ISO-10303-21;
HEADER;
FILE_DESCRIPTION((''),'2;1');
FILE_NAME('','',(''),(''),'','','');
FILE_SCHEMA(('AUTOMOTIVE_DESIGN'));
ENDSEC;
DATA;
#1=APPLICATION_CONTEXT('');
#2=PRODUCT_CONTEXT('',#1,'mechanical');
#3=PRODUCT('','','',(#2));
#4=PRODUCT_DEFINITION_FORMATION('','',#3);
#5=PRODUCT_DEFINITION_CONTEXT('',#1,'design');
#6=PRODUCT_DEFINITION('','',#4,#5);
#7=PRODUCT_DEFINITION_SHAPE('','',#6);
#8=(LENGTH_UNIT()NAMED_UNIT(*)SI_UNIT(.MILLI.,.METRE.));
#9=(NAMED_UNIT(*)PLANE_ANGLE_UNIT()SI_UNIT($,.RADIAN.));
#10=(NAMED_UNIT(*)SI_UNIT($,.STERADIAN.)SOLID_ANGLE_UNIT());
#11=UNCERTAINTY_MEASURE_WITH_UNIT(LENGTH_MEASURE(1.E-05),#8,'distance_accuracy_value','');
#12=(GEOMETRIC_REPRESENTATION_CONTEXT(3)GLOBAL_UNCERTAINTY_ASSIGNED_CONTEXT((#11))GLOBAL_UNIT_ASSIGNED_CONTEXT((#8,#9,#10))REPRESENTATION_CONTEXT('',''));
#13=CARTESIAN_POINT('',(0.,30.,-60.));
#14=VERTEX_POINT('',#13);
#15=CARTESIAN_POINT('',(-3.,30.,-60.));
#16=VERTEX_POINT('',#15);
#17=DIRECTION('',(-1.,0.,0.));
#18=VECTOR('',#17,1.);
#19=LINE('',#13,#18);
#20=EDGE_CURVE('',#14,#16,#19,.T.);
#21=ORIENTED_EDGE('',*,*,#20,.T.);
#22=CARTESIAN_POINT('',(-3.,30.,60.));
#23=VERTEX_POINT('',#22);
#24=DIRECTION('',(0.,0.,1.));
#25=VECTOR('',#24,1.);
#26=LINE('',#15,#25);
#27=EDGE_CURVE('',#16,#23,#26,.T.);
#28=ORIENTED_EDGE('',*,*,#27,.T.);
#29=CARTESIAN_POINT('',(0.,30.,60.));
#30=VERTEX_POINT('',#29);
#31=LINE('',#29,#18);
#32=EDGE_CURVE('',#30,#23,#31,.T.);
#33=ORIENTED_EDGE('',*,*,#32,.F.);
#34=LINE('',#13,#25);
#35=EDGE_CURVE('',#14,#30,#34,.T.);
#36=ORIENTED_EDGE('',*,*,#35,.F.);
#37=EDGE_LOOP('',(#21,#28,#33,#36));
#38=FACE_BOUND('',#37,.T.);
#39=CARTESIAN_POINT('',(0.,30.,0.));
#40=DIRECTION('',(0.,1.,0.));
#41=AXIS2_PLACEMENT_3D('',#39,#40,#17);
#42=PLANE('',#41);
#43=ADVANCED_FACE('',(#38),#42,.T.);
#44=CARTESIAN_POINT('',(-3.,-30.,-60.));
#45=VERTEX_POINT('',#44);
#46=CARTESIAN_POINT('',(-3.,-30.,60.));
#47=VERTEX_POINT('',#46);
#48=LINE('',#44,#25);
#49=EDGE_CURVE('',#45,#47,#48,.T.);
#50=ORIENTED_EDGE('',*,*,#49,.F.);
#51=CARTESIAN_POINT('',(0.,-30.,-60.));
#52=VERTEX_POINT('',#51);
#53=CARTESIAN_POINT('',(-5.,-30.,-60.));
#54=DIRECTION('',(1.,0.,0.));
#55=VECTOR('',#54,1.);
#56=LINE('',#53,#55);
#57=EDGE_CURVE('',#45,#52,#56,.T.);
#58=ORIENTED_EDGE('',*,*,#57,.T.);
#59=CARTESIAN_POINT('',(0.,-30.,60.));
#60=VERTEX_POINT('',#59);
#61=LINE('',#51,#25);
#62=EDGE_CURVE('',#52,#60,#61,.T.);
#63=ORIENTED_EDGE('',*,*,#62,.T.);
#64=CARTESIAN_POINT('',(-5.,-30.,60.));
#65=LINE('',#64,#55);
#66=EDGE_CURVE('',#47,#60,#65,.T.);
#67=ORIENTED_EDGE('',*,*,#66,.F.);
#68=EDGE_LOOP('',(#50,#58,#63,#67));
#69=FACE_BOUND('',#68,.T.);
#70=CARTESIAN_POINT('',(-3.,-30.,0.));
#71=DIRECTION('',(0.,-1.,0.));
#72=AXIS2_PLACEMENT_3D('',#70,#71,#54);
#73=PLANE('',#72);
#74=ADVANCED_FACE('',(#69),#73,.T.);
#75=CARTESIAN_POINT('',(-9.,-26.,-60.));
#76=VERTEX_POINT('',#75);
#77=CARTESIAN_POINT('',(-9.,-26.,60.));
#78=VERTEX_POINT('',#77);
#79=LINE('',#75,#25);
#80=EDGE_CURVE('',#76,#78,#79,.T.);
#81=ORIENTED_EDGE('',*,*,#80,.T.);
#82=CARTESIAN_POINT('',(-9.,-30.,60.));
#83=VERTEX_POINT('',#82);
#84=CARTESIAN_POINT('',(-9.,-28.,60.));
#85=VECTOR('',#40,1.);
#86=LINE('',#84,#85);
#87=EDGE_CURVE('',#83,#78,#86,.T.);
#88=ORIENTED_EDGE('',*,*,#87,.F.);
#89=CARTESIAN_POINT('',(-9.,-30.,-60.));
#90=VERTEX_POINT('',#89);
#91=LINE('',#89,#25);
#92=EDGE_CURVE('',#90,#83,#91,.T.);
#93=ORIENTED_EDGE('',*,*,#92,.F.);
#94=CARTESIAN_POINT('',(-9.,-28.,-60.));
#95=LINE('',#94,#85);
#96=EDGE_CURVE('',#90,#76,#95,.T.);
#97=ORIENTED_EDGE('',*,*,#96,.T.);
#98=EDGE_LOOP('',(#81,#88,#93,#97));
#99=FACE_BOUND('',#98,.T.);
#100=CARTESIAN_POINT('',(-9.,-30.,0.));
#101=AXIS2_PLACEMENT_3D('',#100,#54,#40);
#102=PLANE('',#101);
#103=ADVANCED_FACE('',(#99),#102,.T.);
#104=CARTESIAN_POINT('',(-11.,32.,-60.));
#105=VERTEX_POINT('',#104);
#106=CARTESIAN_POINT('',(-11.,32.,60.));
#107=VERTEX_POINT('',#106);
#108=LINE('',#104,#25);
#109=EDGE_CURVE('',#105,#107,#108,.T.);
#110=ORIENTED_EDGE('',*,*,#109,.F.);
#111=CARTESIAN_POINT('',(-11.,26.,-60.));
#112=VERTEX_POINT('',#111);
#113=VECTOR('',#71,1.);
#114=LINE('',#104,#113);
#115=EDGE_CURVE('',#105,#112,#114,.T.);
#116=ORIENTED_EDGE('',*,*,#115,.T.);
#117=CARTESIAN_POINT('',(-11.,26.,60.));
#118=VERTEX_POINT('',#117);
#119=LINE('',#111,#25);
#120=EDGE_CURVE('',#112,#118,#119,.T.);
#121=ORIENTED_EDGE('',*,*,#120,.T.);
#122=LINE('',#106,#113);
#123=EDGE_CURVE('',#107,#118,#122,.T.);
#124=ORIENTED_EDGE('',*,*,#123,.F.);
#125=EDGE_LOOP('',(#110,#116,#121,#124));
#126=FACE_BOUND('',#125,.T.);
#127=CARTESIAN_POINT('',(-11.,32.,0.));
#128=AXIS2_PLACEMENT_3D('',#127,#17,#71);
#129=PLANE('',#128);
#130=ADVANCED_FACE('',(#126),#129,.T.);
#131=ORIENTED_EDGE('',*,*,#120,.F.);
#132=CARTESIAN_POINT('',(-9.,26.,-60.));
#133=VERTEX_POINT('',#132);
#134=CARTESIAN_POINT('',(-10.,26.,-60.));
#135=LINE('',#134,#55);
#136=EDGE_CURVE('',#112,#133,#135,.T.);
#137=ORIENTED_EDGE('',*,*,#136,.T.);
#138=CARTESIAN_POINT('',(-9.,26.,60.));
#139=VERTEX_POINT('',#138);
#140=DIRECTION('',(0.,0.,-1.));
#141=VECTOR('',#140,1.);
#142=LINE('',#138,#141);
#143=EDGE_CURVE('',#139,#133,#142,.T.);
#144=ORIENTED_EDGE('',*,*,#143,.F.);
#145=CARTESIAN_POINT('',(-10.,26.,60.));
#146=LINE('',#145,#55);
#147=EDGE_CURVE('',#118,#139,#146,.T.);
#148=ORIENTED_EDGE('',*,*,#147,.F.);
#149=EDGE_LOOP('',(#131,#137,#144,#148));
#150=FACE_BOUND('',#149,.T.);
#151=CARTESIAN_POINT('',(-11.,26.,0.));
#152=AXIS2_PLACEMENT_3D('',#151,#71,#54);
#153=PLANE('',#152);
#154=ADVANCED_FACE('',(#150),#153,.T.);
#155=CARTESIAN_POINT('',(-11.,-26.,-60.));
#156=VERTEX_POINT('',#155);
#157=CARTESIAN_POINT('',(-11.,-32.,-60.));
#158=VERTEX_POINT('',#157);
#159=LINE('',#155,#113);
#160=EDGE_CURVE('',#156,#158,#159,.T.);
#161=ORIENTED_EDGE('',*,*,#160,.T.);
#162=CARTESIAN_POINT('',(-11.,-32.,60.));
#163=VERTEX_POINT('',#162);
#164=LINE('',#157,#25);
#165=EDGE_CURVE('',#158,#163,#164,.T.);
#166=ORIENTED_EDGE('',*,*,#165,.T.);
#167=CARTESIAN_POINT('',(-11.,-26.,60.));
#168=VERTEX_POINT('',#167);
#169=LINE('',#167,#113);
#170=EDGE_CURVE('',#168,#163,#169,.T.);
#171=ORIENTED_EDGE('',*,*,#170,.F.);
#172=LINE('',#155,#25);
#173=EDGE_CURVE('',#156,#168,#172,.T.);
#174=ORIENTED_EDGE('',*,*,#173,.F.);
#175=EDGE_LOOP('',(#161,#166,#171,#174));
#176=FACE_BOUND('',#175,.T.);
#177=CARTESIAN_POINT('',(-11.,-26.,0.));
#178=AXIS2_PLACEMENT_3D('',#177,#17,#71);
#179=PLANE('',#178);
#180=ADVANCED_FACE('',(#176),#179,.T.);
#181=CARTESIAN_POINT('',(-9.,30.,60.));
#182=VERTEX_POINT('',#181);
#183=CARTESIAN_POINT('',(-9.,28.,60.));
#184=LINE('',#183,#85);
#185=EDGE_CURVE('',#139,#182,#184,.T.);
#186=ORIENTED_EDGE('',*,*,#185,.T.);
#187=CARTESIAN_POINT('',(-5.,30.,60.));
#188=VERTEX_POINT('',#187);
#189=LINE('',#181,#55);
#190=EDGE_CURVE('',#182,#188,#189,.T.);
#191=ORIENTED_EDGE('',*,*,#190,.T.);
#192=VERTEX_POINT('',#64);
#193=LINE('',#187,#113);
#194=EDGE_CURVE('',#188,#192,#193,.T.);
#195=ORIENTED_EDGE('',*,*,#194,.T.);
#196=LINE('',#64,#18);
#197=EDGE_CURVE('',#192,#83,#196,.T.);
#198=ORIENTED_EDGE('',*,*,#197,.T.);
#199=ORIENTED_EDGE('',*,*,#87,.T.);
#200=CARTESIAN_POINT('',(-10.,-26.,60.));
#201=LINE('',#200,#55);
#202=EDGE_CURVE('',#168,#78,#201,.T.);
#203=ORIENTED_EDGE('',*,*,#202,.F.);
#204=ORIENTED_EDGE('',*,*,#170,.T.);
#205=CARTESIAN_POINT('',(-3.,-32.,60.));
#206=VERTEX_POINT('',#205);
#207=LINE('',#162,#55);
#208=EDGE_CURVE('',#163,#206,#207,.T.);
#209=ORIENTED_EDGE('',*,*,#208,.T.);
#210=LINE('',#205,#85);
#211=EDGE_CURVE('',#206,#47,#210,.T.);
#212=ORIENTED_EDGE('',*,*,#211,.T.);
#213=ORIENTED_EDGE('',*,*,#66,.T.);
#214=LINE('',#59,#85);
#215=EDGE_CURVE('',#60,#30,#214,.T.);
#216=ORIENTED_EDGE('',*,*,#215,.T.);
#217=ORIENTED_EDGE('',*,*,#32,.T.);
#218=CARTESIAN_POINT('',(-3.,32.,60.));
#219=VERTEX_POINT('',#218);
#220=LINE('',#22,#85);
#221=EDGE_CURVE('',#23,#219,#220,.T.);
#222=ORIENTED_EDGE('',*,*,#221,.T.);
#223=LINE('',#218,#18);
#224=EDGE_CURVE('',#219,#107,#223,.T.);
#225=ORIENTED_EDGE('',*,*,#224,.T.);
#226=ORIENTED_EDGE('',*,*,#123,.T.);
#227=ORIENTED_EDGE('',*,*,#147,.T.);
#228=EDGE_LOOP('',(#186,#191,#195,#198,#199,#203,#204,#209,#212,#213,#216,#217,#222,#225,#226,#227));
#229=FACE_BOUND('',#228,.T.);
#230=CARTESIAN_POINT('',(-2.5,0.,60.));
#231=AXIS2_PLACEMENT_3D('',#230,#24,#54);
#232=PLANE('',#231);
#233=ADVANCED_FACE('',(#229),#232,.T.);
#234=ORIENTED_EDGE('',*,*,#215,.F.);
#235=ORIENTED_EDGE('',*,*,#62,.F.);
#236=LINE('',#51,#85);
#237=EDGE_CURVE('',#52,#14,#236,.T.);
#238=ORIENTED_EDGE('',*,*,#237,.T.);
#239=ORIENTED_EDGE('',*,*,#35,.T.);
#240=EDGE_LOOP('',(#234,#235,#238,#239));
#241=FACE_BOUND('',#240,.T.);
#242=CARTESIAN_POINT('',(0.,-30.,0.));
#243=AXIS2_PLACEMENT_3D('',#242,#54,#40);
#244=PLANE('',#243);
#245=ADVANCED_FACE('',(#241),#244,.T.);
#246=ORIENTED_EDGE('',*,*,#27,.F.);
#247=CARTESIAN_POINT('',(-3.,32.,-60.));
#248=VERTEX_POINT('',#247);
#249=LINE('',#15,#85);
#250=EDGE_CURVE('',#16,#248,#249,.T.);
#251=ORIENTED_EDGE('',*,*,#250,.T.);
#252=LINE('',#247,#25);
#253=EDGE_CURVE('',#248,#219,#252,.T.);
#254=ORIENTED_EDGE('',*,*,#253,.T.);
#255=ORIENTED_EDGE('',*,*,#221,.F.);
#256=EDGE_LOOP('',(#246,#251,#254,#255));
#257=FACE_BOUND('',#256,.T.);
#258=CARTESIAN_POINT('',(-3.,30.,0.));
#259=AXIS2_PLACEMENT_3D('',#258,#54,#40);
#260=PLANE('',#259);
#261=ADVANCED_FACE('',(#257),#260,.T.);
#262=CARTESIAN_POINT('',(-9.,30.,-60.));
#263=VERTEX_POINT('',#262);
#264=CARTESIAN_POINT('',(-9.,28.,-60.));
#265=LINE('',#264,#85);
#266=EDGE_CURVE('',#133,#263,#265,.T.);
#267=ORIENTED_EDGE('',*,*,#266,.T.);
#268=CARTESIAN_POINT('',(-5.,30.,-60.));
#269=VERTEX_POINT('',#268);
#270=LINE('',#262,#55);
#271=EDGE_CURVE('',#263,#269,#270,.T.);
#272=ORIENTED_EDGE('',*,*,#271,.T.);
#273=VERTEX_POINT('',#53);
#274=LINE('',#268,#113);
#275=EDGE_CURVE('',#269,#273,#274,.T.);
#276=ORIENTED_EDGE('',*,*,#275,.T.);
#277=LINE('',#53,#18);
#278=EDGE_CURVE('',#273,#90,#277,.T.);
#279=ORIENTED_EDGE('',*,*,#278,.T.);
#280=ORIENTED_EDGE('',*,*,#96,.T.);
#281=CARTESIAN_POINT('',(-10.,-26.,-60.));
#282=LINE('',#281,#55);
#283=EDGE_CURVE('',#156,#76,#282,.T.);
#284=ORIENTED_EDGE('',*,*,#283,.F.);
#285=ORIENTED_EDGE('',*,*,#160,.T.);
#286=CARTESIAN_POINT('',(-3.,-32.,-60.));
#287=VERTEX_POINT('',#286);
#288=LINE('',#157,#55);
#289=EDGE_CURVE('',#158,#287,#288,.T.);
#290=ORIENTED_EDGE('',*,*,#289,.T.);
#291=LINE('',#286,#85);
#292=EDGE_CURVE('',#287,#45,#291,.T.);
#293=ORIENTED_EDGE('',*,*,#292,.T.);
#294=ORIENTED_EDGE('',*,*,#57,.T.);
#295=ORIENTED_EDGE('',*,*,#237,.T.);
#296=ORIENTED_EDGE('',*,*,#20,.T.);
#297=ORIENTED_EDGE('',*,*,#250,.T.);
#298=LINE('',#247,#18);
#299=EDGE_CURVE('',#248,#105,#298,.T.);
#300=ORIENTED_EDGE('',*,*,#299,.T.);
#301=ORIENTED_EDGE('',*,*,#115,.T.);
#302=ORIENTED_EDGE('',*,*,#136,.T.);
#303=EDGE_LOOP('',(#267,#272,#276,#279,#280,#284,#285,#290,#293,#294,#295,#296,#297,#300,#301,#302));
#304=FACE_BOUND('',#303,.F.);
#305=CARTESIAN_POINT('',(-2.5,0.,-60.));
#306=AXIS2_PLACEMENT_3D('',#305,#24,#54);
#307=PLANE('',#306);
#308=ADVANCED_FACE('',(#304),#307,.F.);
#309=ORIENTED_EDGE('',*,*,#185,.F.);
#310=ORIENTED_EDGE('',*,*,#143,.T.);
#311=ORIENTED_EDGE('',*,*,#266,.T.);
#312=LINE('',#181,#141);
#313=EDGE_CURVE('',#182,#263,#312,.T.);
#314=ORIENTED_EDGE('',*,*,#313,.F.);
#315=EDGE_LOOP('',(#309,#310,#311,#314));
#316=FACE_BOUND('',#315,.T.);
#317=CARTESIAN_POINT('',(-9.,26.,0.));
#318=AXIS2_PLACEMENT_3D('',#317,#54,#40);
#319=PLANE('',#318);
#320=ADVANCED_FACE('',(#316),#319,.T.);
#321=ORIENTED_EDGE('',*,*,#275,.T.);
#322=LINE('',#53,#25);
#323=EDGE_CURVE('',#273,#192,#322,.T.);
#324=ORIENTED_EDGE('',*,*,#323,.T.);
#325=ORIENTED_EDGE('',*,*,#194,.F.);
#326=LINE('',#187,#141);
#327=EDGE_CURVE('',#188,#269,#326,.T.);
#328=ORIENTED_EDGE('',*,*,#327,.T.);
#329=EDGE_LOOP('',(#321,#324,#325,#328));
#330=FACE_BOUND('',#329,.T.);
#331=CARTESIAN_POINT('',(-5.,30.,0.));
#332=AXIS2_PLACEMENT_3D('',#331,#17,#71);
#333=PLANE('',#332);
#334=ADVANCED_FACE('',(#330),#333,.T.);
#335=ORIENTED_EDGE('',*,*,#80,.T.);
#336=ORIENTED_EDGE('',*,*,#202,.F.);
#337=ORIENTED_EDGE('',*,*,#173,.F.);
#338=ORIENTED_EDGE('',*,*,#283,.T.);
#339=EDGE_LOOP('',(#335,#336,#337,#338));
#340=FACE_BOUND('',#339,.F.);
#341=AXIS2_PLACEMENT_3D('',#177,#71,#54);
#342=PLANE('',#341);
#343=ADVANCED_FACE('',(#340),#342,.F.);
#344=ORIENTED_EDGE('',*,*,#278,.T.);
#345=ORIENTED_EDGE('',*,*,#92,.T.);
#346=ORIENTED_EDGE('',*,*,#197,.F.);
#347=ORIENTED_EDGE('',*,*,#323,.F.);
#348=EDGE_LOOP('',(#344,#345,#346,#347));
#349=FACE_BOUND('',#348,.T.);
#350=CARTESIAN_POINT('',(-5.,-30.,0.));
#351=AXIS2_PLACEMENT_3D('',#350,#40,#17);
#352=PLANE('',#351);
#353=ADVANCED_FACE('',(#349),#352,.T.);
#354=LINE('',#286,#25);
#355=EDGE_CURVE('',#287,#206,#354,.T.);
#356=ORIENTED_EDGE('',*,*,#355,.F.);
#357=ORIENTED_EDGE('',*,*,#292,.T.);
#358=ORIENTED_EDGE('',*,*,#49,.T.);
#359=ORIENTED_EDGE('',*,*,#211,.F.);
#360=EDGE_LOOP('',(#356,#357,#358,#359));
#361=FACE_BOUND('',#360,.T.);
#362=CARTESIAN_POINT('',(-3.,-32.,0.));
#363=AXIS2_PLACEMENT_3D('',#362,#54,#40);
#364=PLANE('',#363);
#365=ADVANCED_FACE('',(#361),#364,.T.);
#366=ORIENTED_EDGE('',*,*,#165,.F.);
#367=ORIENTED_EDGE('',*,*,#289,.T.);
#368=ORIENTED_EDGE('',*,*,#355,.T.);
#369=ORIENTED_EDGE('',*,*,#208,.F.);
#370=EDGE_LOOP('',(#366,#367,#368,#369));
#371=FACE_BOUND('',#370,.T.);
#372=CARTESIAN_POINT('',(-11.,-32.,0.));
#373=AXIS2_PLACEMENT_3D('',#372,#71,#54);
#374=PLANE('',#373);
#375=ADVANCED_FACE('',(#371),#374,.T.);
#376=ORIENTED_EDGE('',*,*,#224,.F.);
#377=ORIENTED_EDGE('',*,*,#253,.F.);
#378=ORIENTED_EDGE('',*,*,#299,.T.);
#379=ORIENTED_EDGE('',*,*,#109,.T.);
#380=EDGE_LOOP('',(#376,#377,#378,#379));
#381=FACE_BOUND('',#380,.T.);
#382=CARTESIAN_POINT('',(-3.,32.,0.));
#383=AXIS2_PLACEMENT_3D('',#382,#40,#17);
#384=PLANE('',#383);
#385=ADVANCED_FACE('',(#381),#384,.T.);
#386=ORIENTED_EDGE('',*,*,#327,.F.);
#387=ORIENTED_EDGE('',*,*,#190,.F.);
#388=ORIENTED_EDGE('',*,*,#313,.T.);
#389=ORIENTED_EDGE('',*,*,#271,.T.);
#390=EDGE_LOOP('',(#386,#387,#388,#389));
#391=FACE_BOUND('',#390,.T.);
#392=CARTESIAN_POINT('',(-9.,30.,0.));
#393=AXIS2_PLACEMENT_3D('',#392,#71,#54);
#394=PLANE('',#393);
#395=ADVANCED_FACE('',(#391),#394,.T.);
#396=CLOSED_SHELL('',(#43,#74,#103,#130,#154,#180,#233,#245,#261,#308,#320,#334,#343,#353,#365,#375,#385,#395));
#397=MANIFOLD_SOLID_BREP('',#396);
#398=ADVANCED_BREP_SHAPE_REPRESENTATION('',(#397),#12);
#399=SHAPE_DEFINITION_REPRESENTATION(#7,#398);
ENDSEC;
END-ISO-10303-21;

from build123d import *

# Parameters (mm, degrees)
F0_W          = 2
F0_H          = 4
F0_H_2        = 2
F1_DEPTH      = 60
F1_DEPTH_BACK = 60


with BuildPart() as f1:
    # F0 (on Top) → F1 (new body, two sides)
    with BuildSketch(Plane.XY) as f1_sk:
        Polygon((-3, 30), (-5, 30), (-5, 23.5), (-5, -23.5), (-5, -30), (-3, -30), (0, -30), (0, 30), align=None)
        Polygon((-9, 30), (-5, 30), (-3, 30), (-3, 32), (-9, 32), align=None)
        with Locations((-10, 28)):
            Rectangle(F0_W, F0_H)
        with Locations((-10, 31)):
            Rectangle(F0_W, F0_H_2)
        Polygon((-3, -30), (-5, -30), (-9, -30), (-9, -32), (-3, -32), align=None)
        with Locations((-10, -31)):
            Rectangle(F0_W, F0_H_2)
        with Locations((-10, -28)):
            Rectangle(F0_W, F0_H)
    extrude(amount=F1_DEPTH)
    extrude(f1_sk.sketch, amount=-F1_DEPTH_BACK)


solid = f1.part
